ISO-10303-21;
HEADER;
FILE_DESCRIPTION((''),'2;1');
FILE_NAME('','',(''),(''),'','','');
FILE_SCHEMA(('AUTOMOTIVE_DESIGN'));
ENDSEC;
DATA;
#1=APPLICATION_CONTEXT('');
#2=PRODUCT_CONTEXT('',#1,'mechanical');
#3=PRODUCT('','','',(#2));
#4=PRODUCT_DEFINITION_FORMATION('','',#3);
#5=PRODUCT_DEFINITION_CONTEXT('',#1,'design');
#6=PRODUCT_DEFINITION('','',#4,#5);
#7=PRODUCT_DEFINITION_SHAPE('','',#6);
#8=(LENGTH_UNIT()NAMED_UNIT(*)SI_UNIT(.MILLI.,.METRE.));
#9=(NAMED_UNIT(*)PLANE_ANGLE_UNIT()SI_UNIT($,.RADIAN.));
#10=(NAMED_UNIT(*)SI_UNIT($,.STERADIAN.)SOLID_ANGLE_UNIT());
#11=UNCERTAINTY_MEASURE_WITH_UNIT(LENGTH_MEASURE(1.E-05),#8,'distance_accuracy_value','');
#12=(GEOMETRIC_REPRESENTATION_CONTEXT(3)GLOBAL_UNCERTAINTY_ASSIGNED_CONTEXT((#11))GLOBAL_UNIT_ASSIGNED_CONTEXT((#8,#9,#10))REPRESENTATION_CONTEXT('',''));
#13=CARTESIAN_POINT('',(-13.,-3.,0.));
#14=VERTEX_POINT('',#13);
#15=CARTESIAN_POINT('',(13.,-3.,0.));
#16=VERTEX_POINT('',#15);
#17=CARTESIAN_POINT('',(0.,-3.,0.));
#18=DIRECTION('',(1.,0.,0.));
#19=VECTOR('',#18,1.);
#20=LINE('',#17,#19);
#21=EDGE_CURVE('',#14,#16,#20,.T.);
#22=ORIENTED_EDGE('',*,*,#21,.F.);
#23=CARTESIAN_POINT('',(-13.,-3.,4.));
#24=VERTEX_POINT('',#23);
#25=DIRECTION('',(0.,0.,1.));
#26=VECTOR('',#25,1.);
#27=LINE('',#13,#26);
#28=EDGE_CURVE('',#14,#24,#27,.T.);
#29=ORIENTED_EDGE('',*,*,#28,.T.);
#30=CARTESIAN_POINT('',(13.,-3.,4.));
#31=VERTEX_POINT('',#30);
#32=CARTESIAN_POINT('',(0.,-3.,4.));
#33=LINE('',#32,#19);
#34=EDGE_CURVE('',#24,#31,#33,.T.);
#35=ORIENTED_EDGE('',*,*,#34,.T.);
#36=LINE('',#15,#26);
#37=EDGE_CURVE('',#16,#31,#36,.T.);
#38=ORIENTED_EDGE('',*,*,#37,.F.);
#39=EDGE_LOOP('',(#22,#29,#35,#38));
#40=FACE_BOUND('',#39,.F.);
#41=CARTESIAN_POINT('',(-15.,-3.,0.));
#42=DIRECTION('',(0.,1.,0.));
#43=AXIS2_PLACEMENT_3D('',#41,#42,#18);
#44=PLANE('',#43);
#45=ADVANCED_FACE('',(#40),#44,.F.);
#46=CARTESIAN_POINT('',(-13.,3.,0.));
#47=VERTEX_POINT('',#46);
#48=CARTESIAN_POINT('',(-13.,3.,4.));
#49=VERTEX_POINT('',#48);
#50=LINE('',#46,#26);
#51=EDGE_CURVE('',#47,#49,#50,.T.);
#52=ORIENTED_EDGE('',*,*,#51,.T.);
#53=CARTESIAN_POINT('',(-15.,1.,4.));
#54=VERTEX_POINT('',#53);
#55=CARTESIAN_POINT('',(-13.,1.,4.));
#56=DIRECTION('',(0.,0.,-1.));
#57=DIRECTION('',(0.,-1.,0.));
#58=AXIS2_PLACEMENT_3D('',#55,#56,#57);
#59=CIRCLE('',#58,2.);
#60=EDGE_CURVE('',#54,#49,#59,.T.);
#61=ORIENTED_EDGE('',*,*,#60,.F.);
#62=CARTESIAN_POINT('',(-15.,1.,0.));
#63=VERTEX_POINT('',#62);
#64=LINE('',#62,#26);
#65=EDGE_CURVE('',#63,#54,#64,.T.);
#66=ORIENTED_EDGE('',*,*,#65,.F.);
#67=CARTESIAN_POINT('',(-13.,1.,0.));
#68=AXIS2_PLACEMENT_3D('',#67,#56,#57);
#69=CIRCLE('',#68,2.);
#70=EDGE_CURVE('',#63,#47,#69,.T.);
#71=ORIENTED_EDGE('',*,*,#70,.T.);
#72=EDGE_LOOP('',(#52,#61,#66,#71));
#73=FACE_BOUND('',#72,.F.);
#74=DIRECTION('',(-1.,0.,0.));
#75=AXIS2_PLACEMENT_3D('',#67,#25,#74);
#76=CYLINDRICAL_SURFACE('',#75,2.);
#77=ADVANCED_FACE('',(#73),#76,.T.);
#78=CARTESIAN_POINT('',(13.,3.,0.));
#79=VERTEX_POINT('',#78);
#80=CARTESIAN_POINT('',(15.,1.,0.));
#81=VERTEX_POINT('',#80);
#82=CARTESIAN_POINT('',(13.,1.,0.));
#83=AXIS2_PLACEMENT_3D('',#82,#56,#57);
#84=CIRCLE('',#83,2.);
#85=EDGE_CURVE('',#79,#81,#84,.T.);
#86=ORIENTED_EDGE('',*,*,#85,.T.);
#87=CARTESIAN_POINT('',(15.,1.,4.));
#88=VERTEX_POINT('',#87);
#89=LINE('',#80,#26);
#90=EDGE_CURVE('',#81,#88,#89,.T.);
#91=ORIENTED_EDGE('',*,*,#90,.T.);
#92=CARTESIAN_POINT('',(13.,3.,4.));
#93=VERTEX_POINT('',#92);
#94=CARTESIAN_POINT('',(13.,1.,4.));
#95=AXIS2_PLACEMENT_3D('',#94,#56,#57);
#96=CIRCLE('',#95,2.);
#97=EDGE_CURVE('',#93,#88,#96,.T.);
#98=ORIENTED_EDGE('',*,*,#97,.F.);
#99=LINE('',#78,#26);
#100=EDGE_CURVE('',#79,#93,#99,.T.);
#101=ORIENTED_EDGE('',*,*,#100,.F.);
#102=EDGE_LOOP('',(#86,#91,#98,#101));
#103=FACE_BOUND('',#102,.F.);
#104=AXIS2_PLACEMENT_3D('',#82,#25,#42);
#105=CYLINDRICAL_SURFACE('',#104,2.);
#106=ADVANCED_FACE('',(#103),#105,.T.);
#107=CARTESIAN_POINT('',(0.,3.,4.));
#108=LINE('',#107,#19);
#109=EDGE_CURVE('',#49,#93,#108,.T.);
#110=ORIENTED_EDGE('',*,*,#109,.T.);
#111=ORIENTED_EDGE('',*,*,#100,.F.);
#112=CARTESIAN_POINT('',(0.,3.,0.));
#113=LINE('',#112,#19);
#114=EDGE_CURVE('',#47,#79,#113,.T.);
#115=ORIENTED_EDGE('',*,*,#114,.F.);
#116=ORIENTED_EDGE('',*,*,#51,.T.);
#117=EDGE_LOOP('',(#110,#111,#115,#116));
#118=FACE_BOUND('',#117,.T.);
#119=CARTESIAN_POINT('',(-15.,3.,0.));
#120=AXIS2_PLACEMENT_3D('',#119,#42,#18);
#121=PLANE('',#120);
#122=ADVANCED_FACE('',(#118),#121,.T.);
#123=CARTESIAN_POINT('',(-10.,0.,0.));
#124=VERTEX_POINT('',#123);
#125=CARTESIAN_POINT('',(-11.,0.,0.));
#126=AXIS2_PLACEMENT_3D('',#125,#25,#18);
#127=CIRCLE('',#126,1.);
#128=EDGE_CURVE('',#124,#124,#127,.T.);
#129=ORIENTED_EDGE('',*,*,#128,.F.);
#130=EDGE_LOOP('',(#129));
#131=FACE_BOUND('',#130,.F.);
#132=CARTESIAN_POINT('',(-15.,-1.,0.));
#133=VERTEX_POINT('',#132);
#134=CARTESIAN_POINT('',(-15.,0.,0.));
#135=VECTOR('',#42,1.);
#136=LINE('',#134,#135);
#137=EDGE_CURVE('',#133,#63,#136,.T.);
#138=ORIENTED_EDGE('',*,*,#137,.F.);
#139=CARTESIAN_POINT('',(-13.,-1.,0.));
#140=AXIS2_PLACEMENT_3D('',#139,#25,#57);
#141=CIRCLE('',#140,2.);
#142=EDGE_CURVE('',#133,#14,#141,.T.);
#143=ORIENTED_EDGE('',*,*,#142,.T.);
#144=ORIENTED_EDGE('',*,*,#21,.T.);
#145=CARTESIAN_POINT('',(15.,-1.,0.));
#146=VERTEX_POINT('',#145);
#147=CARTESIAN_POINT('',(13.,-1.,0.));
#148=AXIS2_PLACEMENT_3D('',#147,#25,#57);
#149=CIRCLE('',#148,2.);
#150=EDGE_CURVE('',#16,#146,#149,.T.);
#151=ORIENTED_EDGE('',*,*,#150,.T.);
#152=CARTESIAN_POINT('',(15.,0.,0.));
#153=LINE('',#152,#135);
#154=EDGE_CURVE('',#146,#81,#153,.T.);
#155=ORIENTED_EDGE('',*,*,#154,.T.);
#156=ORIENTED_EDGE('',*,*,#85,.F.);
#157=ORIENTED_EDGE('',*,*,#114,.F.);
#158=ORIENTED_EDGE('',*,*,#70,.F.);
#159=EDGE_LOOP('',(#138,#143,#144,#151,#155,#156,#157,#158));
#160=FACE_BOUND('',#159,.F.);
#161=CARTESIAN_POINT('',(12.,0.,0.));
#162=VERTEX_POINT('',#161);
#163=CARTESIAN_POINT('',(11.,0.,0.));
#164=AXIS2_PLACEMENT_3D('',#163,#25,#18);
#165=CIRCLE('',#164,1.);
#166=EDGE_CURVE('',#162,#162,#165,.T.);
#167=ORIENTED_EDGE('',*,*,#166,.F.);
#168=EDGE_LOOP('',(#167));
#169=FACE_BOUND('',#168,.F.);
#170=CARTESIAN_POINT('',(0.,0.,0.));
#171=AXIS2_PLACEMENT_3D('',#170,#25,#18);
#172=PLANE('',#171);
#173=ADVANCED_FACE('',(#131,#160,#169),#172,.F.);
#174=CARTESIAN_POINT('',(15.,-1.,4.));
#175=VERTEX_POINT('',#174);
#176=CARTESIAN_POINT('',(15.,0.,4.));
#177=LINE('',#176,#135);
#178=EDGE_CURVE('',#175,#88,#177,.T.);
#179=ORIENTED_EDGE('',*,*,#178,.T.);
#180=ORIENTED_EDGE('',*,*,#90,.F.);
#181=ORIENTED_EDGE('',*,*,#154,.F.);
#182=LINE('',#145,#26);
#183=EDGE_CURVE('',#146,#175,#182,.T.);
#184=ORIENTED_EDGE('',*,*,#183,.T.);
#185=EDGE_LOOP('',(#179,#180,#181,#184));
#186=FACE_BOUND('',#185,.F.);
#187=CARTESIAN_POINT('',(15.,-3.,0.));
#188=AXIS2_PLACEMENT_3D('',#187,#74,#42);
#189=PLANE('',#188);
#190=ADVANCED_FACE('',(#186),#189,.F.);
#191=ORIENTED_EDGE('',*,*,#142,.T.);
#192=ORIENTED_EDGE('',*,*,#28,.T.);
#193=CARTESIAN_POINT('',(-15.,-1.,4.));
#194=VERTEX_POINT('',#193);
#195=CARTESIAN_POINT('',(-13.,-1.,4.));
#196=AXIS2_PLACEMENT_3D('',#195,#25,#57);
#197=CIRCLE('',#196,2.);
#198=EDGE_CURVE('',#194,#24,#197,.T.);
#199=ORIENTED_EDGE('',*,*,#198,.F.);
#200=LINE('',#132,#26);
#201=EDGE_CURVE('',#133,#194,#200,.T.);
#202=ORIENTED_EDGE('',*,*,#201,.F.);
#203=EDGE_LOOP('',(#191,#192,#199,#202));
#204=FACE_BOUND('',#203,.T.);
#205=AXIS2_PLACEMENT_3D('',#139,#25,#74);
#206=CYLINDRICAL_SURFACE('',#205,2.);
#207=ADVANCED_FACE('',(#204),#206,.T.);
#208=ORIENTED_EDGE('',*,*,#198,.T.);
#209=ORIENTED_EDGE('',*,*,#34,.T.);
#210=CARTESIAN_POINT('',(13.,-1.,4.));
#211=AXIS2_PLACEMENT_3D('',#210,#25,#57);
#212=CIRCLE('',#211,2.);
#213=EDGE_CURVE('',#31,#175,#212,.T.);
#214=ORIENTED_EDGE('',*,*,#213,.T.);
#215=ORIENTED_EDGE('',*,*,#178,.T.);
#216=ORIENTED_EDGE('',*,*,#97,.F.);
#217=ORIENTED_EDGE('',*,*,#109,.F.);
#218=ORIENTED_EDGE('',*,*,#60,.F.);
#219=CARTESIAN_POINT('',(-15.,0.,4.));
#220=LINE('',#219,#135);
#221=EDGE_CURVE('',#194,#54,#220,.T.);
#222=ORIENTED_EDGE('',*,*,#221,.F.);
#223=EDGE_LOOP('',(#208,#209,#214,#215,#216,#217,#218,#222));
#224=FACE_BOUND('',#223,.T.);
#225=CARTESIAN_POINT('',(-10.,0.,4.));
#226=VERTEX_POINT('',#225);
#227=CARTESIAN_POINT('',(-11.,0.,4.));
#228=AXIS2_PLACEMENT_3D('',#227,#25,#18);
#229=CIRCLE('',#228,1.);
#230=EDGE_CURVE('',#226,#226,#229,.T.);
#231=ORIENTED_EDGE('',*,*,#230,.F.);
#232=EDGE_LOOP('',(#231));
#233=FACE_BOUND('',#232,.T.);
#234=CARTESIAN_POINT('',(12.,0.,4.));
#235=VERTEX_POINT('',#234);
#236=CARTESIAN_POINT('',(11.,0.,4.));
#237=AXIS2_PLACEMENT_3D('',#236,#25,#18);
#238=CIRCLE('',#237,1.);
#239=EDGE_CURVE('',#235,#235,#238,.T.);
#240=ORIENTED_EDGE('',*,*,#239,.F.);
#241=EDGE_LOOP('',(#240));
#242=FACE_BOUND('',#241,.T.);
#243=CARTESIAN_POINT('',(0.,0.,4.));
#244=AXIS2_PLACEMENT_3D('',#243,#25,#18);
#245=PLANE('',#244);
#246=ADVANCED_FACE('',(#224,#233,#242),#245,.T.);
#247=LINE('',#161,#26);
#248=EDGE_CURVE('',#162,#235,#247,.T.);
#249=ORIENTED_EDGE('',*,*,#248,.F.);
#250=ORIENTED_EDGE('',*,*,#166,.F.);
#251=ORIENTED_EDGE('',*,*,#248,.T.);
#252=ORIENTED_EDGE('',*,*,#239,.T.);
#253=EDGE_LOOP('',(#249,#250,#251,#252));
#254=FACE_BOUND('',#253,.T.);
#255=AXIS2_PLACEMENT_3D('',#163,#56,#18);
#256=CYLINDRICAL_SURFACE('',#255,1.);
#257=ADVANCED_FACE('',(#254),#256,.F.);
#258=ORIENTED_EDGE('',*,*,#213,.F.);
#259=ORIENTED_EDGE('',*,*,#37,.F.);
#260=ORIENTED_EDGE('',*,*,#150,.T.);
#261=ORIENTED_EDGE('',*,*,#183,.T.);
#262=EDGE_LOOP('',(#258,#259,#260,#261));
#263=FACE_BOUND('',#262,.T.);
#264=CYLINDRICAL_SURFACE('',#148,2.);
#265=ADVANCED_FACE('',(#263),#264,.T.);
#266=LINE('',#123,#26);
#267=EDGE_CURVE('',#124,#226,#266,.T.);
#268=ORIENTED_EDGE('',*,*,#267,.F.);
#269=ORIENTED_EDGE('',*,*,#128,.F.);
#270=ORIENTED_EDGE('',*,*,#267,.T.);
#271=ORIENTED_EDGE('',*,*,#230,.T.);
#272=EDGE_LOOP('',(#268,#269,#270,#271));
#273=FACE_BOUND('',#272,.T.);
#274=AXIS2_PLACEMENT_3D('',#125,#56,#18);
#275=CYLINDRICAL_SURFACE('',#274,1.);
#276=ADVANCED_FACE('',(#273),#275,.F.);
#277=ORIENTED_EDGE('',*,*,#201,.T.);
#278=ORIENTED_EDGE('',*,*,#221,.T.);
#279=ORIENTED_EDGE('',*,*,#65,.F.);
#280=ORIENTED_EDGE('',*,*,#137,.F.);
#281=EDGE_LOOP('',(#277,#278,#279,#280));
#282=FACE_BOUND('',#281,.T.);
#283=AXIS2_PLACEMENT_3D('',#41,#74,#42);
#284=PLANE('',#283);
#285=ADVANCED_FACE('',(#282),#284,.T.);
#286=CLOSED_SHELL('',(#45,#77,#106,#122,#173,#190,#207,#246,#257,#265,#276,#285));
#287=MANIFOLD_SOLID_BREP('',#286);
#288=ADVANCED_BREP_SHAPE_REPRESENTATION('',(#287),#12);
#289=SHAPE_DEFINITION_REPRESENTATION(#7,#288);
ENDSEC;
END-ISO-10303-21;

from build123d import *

# Parameters (mm, degrees)
F0_W     = 30
F0_H     = 6
F0_R     = 1
F1_DEPTH = 4
F2_R     = 2


with BuildPart() as f1:
    # F0 (on Top) → F1 (new body)
    with BuildSketch(Plane.XY):
        Rectangle(F0_W, F0_H)
        with Locations((-11, 0)):
            Circle(F0_R, mode=Mode.SUBTRACT)
        with Locations((11, 0)):
            Circle(F0_R, mode=Mode.SUBTRACT)
    extrude(amount=F1_DEPTH)

    # F2
    f2_edges = [f1.edges().sort_by_distance(p)[0] for p in [
        (-15, 3, 2),
        (-15, -3, 2),
        (15, -3, 2),
        (15, 3, 2),
    ]]
    fillet(f2_edges, radius=F2_R)


solid = f1.part
